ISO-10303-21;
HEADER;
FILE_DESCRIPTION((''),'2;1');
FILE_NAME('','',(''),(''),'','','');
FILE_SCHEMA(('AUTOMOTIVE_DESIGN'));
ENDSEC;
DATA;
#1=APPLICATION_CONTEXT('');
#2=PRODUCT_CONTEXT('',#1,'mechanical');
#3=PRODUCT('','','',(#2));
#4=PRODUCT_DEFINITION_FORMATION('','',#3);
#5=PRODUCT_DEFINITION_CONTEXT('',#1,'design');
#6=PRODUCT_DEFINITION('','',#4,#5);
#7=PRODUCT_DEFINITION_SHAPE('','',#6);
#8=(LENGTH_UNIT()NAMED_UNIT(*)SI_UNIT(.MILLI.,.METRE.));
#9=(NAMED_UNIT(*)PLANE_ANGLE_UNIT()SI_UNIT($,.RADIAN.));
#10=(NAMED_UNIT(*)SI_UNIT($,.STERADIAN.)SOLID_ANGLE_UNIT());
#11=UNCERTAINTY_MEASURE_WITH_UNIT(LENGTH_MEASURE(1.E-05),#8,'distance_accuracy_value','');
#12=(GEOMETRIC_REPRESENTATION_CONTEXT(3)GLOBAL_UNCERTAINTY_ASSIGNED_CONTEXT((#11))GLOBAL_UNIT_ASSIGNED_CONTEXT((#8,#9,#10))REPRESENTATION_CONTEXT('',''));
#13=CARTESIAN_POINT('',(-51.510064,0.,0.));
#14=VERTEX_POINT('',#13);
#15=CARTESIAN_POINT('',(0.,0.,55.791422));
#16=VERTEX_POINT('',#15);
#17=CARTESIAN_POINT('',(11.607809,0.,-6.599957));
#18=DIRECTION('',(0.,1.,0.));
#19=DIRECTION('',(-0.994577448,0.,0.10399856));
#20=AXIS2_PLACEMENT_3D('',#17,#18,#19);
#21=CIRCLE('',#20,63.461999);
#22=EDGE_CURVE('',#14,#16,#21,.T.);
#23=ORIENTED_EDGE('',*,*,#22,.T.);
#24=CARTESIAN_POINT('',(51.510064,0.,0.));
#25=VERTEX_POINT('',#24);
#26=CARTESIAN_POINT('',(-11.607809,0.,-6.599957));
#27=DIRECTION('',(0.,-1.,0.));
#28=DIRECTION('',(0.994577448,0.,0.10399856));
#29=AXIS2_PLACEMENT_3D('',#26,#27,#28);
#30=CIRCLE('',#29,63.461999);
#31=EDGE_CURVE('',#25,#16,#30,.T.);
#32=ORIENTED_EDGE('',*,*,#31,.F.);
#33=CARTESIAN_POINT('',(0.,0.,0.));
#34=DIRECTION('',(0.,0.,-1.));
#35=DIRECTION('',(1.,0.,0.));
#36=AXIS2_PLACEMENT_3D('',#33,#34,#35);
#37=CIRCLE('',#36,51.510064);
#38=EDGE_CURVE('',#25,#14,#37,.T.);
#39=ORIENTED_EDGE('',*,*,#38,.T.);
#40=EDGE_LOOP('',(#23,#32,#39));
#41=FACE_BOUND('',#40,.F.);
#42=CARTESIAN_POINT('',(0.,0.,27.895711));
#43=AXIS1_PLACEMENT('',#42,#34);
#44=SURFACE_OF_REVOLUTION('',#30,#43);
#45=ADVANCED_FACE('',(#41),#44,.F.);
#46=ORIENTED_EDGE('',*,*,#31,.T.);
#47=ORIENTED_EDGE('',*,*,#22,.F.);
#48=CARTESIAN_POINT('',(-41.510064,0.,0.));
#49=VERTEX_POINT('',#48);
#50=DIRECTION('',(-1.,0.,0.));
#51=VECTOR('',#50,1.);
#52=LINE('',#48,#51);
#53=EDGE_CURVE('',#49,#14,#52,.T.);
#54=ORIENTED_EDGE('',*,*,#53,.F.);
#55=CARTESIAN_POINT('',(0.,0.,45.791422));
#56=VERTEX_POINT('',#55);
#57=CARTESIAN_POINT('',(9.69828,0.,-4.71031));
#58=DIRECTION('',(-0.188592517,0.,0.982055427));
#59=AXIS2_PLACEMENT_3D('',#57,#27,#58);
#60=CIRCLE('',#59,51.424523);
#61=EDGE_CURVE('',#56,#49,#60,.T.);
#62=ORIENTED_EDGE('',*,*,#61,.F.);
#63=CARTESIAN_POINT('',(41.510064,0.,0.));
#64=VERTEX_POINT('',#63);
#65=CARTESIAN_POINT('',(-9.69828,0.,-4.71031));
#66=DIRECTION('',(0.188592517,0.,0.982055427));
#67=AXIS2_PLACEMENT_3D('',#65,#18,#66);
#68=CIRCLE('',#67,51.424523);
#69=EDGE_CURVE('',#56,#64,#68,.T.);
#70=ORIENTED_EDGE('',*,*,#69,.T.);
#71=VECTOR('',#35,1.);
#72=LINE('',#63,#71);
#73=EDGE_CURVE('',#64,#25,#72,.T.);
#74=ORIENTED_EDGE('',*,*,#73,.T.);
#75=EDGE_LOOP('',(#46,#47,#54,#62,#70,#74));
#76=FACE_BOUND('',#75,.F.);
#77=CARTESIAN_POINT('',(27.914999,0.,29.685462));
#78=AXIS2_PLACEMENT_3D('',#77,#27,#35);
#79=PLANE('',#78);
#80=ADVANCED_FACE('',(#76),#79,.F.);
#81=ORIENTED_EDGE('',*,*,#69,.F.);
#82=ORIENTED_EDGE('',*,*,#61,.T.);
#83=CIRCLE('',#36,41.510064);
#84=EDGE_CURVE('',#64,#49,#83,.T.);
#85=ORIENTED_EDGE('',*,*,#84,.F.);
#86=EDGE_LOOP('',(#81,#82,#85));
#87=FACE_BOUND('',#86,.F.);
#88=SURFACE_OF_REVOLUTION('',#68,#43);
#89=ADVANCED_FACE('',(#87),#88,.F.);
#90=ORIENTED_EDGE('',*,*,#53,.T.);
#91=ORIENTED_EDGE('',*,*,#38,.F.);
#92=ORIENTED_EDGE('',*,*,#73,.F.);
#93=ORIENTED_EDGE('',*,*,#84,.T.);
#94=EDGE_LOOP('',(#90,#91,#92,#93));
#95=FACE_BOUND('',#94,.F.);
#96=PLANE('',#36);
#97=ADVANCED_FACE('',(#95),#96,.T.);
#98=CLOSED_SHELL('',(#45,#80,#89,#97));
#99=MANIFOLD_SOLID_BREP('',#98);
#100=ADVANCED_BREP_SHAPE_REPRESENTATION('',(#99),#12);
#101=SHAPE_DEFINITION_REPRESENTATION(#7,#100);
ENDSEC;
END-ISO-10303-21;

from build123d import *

# Parameters (mm, degrees)
F1_ANGLE = 180


with BuildPart() as f1:
    # F0 (on Front) → F1 (revolve)
    with BuildSketch(Plane.XZ):
        with BuildLine():
            Line((41.510064, 0), (51.510064, 0))
            ThreePointArc((51.510064, 0), (35.02, 36.449698), (0, 55.791422))
            Line((0, 55.791422), (0, 45.791422))
            ThreePointArc((0, 45.791422), (28.401822, 29.82755), (41.510064, 0))
        make_face()
    revolve(axis=Axis((0, 0, 27.895711), (0, 0, -1)), revolution_arc=F1_ANGLE)


solid = f1.part
